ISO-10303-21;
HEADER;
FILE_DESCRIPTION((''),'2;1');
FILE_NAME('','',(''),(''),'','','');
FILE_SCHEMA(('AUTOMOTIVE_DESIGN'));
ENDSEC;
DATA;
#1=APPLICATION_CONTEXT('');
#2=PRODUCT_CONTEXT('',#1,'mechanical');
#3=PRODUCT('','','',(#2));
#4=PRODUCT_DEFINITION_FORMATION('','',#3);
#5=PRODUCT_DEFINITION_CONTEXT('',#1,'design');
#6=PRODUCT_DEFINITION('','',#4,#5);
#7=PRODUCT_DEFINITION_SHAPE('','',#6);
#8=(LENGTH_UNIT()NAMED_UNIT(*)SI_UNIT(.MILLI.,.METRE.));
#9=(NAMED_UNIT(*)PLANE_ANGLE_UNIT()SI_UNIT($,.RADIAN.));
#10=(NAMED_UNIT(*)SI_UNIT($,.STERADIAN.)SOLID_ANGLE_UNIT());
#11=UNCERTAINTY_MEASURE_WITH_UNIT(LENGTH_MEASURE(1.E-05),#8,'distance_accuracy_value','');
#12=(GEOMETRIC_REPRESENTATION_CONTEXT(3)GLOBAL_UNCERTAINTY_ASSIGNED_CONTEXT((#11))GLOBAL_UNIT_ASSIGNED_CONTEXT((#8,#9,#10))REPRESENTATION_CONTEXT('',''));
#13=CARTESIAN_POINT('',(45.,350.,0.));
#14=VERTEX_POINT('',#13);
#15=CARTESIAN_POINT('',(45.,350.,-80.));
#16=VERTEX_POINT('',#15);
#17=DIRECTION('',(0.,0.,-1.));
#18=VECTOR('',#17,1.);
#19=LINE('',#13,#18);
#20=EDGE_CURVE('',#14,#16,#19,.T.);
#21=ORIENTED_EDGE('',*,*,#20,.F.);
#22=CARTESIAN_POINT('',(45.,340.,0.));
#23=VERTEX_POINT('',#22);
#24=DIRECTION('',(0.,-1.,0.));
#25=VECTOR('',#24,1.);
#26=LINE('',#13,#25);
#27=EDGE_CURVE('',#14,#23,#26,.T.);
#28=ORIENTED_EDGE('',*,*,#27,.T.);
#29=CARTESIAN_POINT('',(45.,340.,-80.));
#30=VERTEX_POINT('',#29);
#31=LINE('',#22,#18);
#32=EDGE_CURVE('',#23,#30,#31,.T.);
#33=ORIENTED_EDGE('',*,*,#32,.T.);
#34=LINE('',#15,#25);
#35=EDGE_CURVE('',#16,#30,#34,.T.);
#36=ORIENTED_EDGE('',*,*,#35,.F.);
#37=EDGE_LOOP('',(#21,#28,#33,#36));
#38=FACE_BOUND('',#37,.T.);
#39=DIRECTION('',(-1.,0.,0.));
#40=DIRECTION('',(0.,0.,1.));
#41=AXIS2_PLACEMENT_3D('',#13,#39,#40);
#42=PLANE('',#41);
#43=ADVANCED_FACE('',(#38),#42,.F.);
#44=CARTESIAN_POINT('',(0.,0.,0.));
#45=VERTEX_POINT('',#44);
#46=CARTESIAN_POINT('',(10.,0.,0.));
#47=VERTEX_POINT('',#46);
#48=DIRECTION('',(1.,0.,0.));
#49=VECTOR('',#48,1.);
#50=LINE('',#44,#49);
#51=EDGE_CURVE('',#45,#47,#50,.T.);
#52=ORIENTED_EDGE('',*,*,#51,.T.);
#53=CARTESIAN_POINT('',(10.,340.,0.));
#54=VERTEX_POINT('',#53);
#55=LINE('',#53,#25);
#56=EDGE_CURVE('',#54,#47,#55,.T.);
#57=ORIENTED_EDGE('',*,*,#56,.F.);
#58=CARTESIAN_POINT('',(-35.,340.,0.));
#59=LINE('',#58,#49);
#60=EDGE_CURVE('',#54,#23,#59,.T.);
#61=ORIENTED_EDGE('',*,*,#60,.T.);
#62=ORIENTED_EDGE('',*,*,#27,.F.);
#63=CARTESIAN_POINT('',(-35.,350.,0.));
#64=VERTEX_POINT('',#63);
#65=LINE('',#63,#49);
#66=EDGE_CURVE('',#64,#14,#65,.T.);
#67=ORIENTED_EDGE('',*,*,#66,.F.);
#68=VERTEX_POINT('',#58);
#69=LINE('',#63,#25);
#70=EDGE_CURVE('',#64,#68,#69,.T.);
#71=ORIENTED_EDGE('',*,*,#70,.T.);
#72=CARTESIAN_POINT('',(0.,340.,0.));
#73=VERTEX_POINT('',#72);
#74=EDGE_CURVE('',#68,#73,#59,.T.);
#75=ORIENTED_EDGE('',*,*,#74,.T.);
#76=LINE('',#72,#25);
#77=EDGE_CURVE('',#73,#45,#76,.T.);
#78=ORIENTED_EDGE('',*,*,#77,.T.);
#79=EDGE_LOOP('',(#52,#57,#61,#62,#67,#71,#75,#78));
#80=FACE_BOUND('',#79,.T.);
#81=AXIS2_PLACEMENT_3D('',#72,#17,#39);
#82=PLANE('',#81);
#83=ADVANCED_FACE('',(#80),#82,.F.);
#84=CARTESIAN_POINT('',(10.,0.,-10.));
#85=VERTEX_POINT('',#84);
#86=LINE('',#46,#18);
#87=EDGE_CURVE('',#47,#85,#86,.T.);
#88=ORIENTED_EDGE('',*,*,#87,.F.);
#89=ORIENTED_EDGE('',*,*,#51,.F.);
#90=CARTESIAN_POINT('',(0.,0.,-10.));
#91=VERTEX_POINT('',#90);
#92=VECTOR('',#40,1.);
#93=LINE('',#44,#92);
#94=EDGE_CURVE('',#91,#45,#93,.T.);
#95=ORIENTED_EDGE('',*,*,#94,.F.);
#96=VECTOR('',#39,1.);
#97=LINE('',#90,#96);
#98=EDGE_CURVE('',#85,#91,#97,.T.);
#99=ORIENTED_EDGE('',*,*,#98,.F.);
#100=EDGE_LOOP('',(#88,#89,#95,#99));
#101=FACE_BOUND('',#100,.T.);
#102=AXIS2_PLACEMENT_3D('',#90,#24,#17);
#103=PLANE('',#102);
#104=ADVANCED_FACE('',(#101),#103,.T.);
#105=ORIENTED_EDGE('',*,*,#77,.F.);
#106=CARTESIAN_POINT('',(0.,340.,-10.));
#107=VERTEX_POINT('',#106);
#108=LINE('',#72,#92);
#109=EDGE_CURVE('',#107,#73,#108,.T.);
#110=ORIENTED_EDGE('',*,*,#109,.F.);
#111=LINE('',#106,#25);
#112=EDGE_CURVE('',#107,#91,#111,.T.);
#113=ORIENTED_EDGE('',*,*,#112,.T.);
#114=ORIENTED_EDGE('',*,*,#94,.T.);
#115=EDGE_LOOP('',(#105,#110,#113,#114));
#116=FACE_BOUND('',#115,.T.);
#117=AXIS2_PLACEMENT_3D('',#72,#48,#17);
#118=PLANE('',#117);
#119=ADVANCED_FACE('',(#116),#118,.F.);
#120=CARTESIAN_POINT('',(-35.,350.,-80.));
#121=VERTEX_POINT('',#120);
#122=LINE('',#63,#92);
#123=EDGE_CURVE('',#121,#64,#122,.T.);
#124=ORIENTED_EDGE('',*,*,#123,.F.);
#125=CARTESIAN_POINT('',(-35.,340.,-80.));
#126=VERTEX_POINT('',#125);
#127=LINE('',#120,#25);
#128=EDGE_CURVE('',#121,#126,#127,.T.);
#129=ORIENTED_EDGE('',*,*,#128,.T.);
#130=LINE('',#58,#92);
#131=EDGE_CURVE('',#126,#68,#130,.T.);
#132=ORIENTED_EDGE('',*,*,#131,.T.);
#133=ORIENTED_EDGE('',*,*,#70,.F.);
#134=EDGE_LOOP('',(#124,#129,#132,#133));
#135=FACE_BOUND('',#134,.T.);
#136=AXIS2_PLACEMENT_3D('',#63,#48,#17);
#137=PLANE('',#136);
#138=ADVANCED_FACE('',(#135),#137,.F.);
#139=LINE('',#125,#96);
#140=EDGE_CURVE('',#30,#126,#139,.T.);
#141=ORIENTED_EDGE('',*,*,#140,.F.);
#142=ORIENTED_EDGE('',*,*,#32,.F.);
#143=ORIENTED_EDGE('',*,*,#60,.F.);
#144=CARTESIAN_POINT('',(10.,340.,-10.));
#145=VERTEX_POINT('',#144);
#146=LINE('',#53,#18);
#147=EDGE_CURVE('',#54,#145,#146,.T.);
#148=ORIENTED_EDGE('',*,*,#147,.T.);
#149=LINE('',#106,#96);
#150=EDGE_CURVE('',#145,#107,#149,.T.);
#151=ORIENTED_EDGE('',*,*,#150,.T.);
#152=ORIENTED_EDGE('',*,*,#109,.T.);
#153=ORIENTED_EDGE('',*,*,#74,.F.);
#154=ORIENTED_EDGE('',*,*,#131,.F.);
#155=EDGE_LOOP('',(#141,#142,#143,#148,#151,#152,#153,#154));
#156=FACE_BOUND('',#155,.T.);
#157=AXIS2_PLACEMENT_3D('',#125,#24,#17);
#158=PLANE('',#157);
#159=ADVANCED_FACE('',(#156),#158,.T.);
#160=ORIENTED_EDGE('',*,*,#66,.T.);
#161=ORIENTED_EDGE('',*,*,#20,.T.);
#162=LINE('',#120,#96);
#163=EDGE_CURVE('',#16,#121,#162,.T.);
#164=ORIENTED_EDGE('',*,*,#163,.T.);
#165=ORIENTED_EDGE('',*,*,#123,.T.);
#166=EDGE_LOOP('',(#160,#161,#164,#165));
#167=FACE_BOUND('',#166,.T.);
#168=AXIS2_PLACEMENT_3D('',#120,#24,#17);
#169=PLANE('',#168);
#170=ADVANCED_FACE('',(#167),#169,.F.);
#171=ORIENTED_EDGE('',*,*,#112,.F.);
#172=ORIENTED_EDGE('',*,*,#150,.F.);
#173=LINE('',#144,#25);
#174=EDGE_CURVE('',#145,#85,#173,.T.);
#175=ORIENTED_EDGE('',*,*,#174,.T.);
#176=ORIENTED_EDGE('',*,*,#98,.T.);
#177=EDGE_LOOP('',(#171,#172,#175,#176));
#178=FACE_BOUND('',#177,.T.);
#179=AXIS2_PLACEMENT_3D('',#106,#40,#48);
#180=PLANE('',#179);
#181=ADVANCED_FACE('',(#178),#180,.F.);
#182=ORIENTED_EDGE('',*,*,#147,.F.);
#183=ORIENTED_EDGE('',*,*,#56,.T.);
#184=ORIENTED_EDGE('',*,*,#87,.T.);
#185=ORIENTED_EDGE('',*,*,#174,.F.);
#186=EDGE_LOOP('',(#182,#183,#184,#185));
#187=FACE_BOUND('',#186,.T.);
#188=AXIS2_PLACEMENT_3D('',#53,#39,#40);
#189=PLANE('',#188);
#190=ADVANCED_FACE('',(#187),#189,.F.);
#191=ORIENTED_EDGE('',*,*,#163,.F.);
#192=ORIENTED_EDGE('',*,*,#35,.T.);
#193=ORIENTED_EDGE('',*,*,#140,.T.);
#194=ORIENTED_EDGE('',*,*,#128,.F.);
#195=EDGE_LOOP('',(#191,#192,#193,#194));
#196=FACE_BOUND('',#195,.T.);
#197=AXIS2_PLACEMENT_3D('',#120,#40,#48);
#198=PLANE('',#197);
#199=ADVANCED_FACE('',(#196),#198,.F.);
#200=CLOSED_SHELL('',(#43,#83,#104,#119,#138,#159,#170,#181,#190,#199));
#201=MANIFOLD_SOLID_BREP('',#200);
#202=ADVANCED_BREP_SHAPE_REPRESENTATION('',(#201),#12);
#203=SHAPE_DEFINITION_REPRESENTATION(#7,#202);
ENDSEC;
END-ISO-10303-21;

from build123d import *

# Parameters (mm, degrees)
ESQUISSE1_W      = 10
ESQUISSE1_H      = 10
EXTRUSION1_DEPTH = 340
ESQUISSE2_W      = 80
ESQUISSE2_H      = 80
EXTRUSION2_DEPTH = 10


with BuildPart() as part:
    # Esquisse1 → Extrusion1 (new body)
    with BuildSketch(Plane(origin=(0, 0, 0), x_dir=(1, 0, 0), z_dir=(0, 1, 0))):
        with Locations((5, 5)):
            Rectangle(ESQUISSE1_W, ESQUISSE1_H)
    extrude(amount=EXTRUSION1_DEPTH)

    # Esquisse2 → Extrusion2 (add)
    with BuildSketch(Plane(origin=(0, 340, 0), x_dir=(1, 0, 0), z_dir=(0, 1, 0))):
        with Locations((5, 40)):
            Rectangle(ESQUISSE2_W, ESQUISSE2_H)
    extrude(amount=EXTRUSION2_DEPTH)


solid = part.part
